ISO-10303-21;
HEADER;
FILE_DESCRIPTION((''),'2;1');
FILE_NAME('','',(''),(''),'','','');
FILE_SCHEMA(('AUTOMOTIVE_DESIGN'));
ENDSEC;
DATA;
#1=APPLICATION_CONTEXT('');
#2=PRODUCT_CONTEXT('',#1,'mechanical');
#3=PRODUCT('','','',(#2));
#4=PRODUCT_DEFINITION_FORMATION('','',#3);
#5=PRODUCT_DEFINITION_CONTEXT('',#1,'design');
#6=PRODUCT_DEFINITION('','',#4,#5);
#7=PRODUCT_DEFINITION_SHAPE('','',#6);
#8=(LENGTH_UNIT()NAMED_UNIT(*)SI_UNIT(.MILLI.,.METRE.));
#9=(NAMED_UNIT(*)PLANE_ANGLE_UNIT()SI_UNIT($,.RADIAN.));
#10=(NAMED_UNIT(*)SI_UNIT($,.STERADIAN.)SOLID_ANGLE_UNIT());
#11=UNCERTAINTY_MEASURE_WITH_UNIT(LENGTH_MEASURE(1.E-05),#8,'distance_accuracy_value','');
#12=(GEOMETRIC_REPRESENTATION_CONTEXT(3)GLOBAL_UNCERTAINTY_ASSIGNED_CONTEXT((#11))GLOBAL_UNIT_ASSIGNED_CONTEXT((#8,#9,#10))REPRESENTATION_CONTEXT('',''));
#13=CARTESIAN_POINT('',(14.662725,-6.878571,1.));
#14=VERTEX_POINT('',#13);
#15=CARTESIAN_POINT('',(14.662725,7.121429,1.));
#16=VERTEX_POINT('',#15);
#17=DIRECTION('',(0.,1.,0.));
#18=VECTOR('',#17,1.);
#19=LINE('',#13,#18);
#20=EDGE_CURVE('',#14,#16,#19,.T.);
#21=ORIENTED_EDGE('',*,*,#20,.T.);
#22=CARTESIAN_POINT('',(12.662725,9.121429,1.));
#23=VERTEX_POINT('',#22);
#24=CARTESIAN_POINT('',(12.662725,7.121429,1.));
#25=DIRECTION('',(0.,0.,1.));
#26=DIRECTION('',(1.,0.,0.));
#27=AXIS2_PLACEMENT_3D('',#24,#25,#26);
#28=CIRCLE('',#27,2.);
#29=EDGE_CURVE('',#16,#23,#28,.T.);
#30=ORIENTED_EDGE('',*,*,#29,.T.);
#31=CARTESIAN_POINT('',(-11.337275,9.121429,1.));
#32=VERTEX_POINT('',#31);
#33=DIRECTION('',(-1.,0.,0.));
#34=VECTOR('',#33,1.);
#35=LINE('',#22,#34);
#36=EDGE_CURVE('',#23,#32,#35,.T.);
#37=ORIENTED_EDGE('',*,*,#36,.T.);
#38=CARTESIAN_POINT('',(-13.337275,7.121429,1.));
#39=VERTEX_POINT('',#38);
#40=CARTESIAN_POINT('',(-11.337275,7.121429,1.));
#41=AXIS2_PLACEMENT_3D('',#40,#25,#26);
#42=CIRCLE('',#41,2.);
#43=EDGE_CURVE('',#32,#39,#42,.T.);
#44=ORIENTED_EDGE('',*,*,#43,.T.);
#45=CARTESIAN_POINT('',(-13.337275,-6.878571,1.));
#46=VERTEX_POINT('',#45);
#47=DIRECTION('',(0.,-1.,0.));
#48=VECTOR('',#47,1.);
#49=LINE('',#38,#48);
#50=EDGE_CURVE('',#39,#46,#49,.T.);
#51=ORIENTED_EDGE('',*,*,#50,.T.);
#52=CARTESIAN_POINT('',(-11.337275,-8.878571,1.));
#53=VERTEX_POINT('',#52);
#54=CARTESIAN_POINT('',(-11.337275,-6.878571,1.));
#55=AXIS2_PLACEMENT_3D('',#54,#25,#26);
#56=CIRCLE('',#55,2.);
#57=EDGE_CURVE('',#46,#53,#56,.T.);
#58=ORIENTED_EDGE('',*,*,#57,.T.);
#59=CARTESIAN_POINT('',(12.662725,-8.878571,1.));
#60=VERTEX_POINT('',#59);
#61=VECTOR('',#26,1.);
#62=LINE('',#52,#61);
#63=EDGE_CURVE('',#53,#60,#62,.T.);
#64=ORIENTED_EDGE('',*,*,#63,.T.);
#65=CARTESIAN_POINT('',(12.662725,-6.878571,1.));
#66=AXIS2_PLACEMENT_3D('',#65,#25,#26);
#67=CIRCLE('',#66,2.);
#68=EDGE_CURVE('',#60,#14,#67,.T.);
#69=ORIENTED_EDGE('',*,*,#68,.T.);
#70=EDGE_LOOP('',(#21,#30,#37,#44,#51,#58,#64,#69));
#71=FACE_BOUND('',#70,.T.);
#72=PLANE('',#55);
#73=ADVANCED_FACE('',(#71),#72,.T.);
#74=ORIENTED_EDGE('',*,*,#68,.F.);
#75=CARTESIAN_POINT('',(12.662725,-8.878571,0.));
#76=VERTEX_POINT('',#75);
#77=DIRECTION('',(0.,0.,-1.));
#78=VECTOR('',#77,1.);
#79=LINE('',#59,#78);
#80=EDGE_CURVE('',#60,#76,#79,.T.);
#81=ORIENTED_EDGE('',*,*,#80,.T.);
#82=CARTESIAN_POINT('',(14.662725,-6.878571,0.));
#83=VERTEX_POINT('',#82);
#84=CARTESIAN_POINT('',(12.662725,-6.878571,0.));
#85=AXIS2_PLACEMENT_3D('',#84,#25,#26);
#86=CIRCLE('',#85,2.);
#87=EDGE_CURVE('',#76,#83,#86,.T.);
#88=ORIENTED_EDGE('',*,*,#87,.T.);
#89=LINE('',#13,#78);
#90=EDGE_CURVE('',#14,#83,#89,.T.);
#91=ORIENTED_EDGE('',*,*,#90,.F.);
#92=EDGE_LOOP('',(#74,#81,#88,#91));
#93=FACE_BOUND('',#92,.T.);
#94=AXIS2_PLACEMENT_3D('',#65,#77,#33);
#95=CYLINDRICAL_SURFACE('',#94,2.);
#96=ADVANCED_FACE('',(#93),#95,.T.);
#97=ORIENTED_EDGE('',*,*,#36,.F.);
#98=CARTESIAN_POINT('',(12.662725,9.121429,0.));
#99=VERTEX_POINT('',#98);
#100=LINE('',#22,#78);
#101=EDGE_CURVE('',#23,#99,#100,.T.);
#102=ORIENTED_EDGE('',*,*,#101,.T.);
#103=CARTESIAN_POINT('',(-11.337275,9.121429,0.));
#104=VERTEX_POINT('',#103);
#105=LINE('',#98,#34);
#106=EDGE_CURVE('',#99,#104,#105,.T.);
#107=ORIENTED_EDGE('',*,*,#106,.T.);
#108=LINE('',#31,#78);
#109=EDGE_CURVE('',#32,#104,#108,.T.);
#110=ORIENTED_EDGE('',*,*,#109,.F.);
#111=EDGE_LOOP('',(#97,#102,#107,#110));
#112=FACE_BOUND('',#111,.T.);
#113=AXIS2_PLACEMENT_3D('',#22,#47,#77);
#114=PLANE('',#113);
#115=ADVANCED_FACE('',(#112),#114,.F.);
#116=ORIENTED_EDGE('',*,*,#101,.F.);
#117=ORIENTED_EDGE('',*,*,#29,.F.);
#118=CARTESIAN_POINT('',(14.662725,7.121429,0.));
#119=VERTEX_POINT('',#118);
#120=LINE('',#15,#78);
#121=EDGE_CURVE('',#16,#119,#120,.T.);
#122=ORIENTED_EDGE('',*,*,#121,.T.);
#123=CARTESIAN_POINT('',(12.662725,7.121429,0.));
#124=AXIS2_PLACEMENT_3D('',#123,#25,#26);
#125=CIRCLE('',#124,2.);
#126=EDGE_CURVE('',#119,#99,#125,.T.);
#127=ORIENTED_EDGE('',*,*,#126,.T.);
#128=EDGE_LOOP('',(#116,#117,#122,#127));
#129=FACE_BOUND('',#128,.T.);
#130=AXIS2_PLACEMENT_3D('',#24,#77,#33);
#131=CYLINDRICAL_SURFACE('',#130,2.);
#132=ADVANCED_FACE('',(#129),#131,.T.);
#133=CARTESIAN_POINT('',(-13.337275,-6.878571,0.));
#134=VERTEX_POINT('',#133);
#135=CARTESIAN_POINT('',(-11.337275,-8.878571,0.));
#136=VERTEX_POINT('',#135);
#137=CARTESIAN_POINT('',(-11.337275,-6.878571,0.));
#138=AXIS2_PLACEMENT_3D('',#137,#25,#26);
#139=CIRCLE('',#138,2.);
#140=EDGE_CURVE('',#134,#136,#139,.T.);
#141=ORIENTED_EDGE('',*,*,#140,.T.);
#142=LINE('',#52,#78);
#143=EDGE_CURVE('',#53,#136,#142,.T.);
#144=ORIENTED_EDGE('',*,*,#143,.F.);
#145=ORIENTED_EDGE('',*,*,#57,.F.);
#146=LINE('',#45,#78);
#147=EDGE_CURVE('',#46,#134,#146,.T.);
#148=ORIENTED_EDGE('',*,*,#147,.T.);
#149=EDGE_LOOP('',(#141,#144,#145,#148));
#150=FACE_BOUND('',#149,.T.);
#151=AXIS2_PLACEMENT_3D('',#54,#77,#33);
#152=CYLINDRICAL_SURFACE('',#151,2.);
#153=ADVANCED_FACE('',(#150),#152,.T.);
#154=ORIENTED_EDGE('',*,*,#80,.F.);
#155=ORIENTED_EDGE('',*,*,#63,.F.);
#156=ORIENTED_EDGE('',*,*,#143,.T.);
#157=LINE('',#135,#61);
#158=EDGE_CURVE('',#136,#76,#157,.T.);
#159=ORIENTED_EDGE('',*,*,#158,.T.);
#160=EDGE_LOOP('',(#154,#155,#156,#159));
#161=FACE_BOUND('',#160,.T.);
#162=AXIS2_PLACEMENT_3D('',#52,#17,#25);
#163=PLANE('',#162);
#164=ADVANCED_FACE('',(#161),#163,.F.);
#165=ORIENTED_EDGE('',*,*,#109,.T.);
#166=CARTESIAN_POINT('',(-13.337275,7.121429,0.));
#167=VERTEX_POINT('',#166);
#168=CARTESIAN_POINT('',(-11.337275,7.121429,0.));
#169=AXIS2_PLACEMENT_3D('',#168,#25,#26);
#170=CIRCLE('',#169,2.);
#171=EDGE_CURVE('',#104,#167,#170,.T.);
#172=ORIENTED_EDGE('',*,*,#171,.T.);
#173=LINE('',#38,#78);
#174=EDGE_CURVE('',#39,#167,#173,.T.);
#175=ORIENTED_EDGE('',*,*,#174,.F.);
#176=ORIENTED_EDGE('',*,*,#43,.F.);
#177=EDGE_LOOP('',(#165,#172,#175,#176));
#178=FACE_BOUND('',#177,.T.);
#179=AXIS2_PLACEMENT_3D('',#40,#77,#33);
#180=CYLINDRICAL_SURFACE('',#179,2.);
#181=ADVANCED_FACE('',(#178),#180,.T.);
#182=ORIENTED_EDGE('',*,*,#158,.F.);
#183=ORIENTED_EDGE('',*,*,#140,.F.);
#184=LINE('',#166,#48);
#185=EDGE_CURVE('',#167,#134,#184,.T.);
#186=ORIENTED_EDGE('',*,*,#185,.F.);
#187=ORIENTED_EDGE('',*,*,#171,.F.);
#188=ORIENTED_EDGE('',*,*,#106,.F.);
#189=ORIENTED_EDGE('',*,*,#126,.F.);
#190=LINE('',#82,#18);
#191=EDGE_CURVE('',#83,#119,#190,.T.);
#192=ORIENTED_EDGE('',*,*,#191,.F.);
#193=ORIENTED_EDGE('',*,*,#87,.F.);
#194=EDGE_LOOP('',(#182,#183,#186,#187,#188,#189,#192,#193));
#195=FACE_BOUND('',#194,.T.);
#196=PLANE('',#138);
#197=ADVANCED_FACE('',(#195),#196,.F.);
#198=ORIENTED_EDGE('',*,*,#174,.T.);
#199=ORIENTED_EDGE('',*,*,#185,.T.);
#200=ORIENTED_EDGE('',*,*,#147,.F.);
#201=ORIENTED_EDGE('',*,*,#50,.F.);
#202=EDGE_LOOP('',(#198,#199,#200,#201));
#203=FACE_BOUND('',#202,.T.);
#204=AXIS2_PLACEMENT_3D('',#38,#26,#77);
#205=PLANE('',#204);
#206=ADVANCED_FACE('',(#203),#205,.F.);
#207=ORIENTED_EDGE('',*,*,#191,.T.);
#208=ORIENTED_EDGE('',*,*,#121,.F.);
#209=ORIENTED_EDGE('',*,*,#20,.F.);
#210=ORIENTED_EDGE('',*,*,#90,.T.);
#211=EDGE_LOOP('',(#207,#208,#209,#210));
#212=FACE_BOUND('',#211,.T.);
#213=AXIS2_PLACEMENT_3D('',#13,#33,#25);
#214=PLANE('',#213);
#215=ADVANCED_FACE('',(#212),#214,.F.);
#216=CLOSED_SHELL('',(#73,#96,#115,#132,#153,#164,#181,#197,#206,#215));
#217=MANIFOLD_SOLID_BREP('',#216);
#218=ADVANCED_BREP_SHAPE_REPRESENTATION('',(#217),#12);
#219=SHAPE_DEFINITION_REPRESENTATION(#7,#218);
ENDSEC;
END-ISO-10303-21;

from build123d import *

# Parameters (mm, degrees)
RESSALTO_EXTRUS_O1_DEPTH = 1


with BuildPart() as part:
    # Esboço1 → Ressalto-extrusão1 (new body)
    with BuildSketch(Plane.XY):
        with BuildLine():
            Line((-11.337274581, -8.878571429), (12.662725419, -8.878571429))
            ThreePointArc((12.662725419, -8.878571429), (14.076938982, -8.292784991), (14.662725419, -6.878571429))
            Line((14.662725419, -6.878571429), (14.662725419, 7.121428571))
            ThreePointArc((14.662725419, 7.121428571), (14.076938982, 8.535642134), (12.662725419, 9.121428571))
            Line((12.662725419, 9.121428571), (-11.337274581, 9.121428571))
            ThreePointArc((-11.337274581, 9.121428571), (-12.751488143, 8.535642134), (-13.337274581, 7.121428571))
            Line((-13.337274581, 7.121428571), (-13.337274581, -6.878571429))
            ThreePointArc((-13.337274581, -6.878571429), (-12.751488143, -8.292784991), (-11.337274581, -8.878571429))
        make_face()
    extrude(amount=RESSALTO_EXTRUS_O1_DEPTH)


solid = part.part
